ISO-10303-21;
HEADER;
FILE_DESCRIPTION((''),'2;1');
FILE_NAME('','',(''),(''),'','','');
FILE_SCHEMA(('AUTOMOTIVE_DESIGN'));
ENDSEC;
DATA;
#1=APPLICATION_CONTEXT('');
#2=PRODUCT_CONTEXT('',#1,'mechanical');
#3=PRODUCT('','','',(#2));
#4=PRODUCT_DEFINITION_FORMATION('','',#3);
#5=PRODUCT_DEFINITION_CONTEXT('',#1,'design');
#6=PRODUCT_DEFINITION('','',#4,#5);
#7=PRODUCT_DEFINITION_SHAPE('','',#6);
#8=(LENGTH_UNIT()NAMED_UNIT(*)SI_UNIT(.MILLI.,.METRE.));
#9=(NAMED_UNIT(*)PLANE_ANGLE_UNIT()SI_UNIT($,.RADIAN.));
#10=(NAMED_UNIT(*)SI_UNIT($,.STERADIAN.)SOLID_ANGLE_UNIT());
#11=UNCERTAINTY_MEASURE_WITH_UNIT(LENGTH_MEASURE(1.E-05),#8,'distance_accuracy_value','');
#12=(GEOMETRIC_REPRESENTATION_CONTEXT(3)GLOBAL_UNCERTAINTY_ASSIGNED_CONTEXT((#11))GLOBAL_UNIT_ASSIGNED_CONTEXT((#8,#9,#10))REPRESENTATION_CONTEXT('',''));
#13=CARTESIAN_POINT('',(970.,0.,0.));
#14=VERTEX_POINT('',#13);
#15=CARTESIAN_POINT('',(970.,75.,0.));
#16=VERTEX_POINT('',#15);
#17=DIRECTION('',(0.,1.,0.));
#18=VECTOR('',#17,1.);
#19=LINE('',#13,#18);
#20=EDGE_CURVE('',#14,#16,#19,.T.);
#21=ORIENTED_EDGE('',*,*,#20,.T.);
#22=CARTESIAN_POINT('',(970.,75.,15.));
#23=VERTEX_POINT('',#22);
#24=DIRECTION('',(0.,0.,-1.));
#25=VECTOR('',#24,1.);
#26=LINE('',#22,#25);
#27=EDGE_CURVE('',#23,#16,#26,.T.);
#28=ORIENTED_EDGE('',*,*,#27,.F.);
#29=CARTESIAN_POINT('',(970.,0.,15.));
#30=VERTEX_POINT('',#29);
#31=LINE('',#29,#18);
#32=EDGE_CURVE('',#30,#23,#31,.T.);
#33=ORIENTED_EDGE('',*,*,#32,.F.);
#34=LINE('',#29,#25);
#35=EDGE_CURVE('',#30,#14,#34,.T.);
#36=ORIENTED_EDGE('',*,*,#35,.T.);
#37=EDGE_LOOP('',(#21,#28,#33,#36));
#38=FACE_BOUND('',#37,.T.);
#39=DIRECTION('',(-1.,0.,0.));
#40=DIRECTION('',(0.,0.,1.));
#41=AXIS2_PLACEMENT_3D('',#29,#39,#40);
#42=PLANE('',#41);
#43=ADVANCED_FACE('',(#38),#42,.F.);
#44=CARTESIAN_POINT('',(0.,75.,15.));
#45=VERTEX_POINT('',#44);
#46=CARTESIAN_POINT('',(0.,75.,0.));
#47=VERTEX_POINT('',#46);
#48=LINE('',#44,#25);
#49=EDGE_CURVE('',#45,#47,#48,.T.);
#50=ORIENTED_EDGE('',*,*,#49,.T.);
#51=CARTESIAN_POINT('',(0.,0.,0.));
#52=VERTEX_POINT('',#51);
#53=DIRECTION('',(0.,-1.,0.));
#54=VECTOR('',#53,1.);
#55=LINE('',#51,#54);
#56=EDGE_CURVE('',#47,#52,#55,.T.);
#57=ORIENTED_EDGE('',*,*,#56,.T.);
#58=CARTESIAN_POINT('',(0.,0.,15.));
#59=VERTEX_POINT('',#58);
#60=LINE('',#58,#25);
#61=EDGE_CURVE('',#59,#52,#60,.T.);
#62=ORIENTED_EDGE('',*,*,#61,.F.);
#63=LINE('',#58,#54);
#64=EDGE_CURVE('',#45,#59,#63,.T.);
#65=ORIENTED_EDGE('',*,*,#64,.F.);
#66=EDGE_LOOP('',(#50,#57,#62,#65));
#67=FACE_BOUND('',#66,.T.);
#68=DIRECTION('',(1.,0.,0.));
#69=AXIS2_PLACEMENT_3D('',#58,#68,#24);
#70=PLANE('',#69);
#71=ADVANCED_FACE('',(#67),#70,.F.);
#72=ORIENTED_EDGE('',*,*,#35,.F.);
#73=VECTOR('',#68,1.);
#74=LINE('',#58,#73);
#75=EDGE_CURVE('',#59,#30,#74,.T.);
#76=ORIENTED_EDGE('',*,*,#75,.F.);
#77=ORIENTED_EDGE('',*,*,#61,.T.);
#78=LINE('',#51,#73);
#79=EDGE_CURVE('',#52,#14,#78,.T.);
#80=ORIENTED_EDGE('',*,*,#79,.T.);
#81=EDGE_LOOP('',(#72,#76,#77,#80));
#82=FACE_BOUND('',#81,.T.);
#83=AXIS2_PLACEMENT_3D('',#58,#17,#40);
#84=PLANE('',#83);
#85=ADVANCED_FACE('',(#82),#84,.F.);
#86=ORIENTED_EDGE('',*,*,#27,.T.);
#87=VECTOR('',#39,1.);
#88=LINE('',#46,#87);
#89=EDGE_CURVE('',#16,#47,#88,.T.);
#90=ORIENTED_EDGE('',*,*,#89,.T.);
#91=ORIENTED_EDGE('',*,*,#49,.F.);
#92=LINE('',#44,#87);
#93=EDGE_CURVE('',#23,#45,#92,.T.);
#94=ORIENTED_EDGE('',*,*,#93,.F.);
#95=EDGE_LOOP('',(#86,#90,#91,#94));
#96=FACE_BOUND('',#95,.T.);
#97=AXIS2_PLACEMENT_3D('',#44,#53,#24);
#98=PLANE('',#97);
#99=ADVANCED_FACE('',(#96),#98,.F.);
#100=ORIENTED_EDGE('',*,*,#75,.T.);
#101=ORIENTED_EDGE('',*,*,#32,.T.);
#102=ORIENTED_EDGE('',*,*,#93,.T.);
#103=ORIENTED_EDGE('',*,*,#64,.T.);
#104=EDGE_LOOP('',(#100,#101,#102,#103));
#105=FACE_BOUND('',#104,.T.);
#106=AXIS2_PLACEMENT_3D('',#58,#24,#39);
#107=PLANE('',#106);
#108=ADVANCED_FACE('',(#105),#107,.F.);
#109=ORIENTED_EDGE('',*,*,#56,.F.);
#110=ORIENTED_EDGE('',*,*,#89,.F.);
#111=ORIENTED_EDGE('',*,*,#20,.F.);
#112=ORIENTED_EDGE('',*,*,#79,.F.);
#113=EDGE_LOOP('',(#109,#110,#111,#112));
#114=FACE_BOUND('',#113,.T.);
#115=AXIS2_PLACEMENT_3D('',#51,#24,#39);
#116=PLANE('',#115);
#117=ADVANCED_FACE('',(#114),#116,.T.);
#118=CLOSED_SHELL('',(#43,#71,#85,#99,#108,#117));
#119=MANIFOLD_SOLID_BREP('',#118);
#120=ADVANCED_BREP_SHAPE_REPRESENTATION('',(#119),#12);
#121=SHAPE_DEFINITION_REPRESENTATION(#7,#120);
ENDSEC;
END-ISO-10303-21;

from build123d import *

# Parameters (mm, degrees)
SKETCH1_W           = 97
SKETCH1_H           = 7.5
BOSS_EXTRUDE1_DEPTH = 1.5
SCALE1_SCALE        = 10


with BuildPart() as part:
    # Sketch1 → Boss-Extrude1 (new body)
    with BuildSketch(Plane.XY):
        with Locations((48.5, 3.75)):
            Rectangle(SKETCH1_W, SKETCH1_H)
    extrude(amount=BOSS_EXTRUDE1_DEPTH)


with BuildPart() as part_1:
    # Scale1: scaled about (0, 0, 0)
    add(part.part.scale(SCALE1_SCALE))


solid = part_1.part
